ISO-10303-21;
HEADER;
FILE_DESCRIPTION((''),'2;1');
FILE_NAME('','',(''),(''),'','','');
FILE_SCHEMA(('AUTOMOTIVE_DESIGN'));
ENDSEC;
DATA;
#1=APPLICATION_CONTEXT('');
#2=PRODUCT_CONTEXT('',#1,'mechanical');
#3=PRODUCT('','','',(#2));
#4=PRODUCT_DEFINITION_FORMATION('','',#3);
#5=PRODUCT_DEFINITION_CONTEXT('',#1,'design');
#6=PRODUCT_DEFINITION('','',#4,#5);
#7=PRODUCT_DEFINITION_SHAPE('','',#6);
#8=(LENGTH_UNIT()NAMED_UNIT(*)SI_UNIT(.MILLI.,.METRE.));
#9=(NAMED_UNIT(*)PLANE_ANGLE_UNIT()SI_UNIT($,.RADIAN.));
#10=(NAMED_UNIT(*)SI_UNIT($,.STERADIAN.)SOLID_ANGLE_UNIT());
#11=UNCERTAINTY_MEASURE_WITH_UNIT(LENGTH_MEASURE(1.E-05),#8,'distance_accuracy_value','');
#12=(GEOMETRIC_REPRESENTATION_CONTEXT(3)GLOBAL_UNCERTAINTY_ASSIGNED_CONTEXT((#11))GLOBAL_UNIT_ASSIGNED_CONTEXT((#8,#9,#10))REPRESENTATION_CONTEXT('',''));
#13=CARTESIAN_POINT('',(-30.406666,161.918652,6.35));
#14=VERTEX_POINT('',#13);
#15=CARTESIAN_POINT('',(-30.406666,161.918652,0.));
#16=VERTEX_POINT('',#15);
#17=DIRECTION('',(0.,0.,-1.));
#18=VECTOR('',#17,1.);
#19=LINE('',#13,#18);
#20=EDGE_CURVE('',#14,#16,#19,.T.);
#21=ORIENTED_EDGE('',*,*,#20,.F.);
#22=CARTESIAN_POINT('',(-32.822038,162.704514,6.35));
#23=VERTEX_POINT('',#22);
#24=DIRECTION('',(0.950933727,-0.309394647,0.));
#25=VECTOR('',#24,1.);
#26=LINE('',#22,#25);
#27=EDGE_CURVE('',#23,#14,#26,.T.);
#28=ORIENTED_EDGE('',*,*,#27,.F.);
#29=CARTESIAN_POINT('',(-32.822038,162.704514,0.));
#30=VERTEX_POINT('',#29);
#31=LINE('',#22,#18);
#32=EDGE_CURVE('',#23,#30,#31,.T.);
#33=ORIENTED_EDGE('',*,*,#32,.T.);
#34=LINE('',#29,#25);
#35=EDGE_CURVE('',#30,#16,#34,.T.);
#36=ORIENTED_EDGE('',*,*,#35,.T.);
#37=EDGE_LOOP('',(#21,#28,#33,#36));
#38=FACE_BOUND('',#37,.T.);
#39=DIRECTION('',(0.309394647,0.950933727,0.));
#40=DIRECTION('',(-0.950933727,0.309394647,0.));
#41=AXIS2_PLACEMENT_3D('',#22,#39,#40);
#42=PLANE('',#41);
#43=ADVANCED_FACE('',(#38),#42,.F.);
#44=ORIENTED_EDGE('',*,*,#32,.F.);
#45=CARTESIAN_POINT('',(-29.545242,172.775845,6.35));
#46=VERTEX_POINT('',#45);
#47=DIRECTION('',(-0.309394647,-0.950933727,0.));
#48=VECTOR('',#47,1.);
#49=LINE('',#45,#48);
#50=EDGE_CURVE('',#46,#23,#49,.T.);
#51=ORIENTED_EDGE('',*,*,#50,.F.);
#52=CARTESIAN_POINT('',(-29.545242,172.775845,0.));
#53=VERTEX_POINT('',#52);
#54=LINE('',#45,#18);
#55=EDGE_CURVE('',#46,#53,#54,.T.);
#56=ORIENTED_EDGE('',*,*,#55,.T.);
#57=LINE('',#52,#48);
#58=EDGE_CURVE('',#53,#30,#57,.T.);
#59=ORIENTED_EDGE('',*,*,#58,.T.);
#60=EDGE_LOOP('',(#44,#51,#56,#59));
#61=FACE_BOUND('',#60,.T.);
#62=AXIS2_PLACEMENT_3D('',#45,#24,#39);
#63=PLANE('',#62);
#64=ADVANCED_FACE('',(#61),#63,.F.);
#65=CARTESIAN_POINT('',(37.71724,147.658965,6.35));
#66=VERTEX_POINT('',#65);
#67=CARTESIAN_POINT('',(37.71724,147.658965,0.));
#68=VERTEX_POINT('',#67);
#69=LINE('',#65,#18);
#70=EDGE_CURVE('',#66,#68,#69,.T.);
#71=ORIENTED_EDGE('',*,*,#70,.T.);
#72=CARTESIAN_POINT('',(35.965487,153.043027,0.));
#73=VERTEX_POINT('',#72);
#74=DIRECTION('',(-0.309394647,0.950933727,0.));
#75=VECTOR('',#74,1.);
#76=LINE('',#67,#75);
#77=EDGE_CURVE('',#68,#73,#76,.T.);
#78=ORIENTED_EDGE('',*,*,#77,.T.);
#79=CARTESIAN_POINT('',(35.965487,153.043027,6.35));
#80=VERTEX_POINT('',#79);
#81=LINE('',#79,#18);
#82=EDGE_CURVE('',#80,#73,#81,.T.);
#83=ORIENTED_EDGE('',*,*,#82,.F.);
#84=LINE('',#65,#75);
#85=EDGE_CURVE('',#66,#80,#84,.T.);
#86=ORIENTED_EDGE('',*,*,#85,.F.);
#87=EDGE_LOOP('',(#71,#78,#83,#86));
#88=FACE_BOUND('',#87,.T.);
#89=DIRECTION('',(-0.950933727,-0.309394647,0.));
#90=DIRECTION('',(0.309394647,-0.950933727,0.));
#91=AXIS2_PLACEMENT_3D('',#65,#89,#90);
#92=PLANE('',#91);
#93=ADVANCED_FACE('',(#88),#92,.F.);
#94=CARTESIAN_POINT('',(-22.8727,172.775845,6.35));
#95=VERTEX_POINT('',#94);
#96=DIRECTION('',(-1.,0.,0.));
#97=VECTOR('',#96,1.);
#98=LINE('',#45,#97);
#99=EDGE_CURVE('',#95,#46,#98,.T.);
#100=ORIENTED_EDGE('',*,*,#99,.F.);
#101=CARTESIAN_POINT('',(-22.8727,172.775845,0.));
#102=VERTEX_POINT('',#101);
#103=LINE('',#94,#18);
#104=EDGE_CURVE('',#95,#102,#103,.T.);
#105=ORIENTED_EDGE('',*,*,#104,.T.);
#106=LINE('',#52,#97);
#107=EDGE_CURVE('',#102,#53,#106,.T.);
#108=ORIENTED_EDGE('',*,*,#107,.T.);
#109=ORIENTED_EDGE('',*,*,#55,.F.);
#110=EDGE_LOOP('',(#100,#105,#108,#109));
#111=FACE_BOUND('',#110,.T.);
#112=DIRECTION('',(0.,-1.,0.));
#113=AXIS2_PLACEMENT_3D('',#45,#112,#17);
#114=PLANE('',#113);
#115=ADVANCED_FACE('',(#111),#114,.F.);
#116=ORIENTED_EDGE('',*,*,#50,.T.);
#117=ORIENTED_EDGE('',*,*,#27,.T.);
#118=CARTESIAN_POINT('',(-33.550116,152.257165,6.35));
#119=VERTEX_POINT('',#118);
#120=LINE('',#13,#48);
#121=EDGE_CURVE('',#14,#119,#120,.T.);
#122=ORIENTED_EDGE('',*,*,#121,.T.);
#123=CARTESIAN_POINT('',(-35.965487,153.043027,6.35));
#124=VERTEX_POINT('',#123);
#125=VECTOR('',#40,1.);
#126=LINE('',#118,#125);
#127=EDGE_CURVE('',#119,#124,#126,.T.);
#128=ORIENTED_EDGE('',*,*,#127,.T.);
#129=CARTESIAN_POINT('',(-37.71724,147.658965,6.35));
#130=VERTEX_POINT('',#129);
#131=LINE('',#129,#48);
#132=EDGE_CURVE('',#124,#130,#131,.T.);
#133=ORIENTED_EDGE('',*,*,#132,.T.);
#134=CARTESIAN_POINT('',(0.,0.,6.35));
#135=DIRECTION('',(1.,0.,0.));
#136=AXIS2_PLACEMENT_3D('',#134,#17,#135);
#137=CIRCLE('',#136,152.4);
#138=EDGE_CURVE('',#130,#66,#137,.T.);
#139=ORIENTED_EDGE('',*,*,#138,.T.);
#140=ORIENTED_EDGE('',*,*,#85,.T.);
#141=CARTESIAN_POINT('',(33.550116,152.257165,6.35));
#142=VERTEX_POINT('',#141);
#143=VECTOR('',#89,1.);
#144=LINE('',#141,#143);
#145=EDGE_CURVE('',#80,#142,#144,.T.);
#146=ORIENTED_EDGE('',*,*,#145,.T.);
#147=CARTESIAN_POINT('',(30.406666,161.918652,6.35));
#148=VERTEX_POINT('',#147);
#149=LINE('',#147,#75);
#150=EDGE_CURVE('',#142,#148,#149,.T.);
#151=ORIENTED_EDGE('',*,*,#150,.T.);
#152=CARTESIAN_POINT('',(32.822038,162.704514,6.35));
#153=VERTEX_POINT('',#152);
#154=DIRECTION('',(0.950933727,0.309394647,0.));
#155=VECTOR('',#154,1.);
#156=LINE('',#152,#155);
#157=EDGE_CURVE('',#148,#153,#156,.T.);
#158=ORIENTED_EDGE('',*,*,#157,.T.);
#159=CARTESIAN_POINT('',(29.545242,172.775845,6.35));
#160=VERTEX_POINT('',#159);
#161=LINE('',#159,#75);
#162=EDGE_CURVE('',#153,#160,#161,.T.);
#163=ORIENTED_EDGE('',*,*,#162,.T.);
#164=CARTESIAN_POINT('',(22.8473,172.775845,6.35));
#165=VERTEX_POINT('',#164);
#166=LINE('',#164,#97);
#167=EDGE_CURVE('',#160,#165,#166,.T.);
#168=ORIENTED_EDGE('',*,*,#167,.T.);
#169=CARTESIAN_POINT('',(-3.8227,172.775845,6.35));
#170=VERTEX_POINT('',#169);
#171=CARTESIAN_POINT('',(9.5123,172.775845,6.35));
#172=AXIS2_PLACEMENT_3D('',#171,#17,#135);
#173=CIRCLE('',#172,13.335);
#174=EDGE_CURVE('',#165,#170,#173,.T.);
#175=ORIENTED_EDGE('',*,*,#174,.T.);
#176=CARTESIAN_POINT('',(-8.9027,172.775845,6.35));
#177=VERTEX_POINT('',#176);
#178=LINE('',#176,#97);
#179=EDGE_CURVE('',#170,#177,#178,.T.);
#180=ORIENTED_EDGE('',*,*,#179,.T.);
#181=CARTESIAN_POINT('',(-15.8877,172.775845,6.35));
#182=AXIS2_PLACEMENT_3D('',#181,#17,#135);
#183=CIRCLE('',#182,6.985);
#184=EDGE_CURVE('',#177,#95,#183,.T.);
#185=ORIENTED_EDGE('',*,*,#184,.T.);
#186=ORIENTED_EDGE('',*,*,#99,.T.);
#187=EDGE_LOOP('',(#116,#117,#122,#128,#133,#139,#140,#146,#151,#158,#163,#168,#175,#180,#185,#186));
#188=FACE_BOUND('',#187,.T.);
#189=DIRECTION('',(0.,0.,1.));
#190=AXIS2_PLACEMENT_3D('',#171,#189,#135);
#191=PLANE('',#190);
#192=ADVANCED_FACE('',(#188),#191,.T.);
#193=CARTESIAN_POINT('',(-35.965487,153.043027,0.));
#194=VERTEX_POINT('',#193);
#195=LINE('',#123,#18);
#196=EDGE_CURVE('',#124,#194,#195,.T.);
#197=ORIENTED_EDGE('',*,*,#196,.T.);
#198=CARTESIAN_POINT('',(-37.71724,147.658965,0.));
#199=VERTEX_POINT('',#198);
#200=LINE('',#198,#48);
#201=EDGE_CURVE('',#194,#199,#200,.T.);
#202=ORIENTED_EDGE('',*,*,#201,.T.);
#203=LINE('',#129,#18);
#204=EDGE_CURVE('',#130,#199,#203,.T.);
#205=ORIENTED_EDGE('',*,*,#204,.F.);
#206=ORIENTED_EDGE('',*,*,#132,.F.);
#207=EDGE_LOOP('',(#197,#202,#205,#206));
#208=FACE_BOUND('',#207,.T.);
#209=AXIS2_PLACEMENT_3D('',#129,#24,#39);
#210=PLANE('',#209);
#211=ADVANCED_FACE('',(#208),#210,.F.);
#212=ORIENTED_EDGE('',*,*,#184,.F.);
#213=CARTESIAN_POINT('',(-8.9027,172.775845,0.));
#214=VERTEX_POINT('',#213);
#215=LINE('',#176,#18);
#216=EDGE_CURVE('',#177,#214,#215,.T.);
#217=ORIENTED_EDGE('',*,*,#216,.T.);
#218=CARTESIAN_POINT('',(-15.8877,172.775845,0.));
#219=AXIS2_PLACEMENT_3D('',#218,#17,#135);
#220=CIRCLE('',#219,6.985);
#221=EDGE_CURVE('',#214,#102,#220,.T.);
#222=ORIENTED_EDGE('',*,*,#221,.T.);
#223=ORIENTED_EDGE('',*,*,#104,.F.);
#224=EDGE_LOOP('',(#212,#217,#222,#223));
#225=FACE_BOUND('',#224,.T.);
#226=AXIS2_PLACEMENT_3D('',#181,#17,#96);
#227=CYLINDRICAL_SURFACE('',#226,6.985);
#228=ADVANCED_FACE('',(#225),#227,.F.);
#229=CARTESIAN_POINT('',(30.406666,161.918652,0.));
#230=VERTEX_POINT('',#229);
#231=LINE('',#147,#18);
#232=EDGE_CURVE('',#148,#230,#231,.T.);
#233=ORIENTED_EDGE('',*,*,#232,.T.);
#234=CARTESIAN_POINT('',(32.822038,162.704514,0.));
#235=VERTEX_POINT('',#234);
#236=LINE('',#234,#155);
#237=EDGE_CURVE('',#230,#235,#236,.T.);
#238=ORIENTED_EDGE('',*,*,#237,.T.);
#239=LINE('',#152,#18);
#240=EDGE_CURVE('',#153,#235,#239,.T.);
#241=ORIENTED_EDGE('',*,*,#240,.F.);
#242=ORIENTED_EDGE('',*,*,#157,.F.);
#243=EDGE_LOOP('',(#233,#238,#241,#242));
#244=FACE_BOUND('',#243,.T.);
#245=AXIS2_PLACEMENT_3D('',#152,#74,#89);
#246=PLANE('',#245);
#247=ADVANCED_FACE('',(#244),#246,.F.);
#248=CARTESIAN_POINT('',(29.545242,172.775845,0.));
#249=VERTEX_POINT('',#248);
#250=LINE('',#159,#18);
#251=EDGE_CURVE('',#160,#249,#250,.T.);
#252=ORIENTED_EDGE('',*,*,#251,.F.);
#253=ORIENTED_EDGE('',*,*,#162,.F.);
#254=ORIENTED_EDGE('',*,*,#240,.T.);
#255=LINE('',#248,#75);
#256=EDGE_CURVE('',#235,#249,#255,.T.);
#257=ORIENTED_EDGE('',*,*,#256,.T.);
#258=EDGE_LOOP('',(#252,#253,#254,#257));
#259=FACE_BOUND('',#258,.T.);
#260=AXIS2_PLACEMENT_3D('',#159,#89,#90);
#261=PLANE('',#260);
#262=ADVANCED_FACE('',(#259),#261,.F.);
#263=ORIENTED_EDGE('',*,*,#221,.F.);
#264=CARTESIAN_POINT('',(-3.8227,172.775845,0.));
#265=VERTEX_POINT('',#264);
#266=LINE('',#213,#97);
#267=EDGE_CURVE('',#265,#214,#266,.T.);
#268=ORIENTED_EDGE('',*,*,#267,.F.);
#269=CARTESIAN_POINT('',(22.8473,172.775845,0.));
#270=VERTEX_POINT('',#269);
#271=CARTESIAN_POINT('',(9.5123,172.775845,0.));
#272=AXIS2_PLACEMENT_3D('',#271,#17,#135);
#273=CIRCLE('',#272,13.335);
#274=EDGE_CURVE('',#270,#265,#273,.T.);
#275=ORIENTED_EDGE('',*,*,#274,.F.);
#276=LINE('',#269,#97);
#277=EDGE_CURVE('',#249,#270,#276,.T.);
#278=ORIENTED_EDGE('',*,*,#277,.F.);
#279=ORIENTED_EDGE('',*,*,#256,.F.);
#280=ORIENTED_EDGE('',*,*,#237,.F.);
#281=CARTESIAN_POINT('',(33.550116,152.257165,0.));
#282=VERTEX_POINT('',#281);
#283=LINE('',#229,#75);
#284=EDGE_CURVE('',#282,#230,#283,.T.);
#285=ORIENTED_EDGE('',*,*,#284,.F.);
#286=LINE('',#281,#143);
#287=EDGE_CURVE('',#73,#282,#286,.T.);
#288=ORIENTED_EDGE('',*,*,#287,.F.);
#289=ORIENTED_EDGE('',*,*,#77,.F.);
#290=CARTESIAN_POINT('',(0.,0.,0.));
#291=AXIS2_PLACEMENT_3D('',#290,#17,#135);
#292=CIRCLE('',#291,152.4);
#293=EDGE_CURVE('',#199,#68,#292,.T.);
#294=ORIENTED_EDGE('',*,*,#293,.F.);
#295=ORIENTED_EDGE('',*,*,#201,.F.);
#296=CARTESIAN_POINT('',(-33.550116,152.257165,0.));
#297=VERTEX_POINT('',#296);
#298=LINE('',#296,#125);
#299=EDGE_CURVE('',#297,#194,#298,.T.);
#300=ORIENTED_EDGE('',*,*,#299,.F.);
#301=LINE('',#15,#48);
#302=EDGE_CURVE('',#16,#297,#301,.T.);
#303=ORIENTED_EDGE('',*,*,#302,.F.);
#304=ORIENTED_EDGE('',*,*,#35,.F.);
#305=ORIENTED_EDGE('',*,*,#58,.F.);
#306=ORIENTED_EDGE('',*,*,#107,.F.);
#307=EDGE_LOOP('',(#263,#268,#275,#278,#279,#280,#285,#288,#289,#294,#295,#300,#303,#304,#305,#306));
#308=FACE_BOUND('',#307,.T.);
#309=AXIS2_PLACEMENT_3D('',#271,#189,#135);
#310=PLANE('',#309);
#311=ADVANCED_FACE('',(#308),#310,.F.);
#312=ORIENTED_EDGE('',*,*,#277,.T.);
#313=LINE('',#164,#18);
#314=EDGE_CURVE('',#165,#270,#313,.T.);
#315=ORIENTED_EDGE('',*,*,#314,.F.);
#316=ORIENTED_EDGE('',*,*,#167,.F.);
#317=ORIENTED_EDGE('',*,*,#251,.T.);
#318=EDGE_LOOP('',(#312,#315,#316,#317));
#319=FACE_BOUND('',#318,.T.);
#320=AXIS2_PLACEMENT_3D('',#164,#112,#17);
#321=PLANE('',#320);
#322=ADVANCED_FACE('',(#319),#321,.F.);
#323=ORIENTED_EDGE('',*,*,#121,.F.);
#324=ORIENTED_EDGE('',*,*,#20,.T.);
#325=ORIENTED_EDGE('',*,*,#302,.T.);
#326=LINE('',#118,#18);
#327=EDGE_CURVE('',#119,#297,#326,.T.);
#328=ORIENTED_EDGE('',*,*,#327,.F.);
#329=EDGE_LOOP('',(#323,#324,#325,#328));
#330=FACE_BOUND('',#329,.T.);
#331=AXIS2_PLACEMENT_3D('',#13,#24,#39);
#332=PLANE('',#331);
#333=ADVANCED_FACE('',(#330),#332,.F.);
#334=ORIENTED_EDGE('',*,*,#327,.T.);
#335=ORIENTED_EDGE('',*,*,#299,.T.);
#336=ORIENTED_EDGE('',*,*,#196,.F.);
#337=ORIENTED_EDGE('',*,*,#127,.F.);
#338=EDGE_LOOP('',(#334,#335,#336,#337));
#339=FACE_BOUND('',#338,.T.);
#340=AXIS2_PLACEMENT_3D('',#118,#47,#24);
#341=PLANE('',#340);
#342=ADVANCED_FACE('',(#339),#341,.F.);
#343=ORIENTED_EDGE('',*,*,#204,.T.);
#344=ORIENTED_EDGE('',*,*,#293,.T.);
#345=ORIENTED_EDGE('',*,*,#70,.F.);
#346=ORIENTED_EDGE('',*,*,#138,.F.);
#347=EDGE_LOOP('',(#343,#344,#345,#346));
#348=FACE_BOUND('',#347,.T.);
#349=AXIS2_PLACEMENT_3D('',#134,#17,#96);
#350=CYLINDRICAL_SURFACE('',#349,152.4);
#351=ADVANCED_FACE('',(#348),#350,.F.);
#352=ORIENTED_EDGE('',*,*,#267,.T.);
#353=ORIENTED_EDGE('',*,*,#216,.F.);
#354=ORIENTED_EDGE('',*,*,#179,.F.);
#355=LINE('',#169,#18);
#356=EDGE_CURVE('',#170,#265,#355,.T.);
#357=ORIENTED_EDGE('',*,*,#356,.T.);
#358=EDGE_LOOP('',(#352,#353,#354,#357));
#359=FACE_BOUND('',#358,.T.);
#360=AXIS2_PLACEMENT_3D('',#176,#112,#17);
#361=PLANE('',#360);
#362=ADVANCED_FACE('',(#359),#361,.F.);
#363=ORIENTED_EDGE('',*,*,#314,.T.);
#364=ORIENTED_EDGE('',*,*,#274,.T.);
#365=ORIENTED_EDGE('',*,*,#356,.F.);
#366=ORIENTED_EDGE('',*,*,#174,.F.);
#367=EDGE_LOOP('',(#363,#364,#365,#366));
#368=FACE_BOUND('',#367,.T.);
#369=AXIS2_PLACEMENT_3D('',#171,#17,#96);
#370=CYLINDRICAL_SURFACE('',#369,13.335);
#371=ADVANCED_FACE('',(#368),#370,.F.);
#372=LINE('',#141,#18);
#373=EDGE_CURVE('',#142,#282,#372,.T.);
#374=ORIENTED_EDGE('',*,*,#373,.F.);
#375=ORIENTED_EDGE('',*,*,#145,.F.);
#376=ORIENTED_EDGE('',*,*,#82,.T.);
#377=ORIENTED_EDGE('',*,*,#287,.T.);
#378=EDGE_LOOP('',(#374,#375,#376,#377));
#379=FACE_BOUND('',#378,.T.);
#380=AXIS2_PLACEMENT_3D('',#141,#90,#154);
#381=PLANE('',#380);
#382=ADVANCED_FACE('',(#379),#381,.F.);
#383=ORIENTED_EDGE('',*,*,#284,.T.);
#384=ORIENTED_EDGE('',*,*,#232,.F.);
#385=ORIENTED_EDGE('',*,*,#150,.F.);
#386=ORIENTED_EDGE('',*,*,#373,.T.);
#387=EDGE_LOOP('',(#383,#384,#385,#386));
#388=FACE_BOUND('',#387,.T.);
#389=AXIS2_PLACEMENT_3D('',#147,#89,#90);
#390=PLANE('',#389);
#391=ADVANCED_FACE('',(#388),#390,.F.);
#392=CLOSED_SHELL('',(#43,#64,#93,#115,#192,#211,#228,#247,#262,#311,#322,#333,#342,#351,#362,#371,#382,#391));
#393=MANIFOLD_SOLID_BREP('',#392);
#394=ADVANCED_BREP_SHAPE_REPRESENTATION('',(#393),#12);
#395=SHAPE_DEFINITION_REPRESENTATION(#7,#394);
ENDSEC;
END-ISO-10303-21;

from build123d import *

# Parameters (mm, degrees)
BOSS_EXTRUDE2_DEPTH = 6.35


with BuildPart() as part:
    # Sketch1 → Boss-Extrude2 (new body)
    with BuildSketch(Plane.XY):
        with BuildLine():
            Line((37.717239544, 147.658964649), (35.965487423, 153.043027332))
            Line((35.965487423, 153.043027332), (33.550115758, 152.257164929))
            Line((33.550115758, 152.257164929), (30.406666146, 161.918651592))
            Line((30.406666146, 161.918651592), (32.822037812, 162.704513995))
            Line((32.822037812, 162.704513995), (29.545241798, 172.775844825))
            Line((29.545241798, 172.775844825), (22.8473, 172.775844825))
            ThreePointArc((22.8473, 172.775844825), (9.5123, 159.440844825), (-3.8227, 172.775844825))
            Line((-3.8227, 172.775844825), (-8.9027, 172.775844825))
            ThreePointArc((-8.9027, 172.775844825), (-15.8877, 165.790844825), (-22.8727, 172.775844825))
            Line((-22.8727, 172.775844825), (-29.545241798, 172.775844825))
            Line((-29.545241798, 172.775844825), (-32.822037812, 162.704513995))
            Line((-32.822037812, 162.704513995), (-30.406666146, 161.918651592))
            Line((-30.406666146, 161.918651592), (-33.550115758, 152.257164929))
            Line((-33.550115758, 152.257164929), (-35.965487423, 153.043027332))
            Line((-35.965487423, 153.043027332), (-37.717239544, 147.658964649))
            ThreePointArc((-37.717239544, 147.658964649), (0, 152.4), (37.717239544, 147.658964649))
        make_face()
    extrude(amount=BOSS_EXTRUDE2_DEPTH)


solid = part.part
